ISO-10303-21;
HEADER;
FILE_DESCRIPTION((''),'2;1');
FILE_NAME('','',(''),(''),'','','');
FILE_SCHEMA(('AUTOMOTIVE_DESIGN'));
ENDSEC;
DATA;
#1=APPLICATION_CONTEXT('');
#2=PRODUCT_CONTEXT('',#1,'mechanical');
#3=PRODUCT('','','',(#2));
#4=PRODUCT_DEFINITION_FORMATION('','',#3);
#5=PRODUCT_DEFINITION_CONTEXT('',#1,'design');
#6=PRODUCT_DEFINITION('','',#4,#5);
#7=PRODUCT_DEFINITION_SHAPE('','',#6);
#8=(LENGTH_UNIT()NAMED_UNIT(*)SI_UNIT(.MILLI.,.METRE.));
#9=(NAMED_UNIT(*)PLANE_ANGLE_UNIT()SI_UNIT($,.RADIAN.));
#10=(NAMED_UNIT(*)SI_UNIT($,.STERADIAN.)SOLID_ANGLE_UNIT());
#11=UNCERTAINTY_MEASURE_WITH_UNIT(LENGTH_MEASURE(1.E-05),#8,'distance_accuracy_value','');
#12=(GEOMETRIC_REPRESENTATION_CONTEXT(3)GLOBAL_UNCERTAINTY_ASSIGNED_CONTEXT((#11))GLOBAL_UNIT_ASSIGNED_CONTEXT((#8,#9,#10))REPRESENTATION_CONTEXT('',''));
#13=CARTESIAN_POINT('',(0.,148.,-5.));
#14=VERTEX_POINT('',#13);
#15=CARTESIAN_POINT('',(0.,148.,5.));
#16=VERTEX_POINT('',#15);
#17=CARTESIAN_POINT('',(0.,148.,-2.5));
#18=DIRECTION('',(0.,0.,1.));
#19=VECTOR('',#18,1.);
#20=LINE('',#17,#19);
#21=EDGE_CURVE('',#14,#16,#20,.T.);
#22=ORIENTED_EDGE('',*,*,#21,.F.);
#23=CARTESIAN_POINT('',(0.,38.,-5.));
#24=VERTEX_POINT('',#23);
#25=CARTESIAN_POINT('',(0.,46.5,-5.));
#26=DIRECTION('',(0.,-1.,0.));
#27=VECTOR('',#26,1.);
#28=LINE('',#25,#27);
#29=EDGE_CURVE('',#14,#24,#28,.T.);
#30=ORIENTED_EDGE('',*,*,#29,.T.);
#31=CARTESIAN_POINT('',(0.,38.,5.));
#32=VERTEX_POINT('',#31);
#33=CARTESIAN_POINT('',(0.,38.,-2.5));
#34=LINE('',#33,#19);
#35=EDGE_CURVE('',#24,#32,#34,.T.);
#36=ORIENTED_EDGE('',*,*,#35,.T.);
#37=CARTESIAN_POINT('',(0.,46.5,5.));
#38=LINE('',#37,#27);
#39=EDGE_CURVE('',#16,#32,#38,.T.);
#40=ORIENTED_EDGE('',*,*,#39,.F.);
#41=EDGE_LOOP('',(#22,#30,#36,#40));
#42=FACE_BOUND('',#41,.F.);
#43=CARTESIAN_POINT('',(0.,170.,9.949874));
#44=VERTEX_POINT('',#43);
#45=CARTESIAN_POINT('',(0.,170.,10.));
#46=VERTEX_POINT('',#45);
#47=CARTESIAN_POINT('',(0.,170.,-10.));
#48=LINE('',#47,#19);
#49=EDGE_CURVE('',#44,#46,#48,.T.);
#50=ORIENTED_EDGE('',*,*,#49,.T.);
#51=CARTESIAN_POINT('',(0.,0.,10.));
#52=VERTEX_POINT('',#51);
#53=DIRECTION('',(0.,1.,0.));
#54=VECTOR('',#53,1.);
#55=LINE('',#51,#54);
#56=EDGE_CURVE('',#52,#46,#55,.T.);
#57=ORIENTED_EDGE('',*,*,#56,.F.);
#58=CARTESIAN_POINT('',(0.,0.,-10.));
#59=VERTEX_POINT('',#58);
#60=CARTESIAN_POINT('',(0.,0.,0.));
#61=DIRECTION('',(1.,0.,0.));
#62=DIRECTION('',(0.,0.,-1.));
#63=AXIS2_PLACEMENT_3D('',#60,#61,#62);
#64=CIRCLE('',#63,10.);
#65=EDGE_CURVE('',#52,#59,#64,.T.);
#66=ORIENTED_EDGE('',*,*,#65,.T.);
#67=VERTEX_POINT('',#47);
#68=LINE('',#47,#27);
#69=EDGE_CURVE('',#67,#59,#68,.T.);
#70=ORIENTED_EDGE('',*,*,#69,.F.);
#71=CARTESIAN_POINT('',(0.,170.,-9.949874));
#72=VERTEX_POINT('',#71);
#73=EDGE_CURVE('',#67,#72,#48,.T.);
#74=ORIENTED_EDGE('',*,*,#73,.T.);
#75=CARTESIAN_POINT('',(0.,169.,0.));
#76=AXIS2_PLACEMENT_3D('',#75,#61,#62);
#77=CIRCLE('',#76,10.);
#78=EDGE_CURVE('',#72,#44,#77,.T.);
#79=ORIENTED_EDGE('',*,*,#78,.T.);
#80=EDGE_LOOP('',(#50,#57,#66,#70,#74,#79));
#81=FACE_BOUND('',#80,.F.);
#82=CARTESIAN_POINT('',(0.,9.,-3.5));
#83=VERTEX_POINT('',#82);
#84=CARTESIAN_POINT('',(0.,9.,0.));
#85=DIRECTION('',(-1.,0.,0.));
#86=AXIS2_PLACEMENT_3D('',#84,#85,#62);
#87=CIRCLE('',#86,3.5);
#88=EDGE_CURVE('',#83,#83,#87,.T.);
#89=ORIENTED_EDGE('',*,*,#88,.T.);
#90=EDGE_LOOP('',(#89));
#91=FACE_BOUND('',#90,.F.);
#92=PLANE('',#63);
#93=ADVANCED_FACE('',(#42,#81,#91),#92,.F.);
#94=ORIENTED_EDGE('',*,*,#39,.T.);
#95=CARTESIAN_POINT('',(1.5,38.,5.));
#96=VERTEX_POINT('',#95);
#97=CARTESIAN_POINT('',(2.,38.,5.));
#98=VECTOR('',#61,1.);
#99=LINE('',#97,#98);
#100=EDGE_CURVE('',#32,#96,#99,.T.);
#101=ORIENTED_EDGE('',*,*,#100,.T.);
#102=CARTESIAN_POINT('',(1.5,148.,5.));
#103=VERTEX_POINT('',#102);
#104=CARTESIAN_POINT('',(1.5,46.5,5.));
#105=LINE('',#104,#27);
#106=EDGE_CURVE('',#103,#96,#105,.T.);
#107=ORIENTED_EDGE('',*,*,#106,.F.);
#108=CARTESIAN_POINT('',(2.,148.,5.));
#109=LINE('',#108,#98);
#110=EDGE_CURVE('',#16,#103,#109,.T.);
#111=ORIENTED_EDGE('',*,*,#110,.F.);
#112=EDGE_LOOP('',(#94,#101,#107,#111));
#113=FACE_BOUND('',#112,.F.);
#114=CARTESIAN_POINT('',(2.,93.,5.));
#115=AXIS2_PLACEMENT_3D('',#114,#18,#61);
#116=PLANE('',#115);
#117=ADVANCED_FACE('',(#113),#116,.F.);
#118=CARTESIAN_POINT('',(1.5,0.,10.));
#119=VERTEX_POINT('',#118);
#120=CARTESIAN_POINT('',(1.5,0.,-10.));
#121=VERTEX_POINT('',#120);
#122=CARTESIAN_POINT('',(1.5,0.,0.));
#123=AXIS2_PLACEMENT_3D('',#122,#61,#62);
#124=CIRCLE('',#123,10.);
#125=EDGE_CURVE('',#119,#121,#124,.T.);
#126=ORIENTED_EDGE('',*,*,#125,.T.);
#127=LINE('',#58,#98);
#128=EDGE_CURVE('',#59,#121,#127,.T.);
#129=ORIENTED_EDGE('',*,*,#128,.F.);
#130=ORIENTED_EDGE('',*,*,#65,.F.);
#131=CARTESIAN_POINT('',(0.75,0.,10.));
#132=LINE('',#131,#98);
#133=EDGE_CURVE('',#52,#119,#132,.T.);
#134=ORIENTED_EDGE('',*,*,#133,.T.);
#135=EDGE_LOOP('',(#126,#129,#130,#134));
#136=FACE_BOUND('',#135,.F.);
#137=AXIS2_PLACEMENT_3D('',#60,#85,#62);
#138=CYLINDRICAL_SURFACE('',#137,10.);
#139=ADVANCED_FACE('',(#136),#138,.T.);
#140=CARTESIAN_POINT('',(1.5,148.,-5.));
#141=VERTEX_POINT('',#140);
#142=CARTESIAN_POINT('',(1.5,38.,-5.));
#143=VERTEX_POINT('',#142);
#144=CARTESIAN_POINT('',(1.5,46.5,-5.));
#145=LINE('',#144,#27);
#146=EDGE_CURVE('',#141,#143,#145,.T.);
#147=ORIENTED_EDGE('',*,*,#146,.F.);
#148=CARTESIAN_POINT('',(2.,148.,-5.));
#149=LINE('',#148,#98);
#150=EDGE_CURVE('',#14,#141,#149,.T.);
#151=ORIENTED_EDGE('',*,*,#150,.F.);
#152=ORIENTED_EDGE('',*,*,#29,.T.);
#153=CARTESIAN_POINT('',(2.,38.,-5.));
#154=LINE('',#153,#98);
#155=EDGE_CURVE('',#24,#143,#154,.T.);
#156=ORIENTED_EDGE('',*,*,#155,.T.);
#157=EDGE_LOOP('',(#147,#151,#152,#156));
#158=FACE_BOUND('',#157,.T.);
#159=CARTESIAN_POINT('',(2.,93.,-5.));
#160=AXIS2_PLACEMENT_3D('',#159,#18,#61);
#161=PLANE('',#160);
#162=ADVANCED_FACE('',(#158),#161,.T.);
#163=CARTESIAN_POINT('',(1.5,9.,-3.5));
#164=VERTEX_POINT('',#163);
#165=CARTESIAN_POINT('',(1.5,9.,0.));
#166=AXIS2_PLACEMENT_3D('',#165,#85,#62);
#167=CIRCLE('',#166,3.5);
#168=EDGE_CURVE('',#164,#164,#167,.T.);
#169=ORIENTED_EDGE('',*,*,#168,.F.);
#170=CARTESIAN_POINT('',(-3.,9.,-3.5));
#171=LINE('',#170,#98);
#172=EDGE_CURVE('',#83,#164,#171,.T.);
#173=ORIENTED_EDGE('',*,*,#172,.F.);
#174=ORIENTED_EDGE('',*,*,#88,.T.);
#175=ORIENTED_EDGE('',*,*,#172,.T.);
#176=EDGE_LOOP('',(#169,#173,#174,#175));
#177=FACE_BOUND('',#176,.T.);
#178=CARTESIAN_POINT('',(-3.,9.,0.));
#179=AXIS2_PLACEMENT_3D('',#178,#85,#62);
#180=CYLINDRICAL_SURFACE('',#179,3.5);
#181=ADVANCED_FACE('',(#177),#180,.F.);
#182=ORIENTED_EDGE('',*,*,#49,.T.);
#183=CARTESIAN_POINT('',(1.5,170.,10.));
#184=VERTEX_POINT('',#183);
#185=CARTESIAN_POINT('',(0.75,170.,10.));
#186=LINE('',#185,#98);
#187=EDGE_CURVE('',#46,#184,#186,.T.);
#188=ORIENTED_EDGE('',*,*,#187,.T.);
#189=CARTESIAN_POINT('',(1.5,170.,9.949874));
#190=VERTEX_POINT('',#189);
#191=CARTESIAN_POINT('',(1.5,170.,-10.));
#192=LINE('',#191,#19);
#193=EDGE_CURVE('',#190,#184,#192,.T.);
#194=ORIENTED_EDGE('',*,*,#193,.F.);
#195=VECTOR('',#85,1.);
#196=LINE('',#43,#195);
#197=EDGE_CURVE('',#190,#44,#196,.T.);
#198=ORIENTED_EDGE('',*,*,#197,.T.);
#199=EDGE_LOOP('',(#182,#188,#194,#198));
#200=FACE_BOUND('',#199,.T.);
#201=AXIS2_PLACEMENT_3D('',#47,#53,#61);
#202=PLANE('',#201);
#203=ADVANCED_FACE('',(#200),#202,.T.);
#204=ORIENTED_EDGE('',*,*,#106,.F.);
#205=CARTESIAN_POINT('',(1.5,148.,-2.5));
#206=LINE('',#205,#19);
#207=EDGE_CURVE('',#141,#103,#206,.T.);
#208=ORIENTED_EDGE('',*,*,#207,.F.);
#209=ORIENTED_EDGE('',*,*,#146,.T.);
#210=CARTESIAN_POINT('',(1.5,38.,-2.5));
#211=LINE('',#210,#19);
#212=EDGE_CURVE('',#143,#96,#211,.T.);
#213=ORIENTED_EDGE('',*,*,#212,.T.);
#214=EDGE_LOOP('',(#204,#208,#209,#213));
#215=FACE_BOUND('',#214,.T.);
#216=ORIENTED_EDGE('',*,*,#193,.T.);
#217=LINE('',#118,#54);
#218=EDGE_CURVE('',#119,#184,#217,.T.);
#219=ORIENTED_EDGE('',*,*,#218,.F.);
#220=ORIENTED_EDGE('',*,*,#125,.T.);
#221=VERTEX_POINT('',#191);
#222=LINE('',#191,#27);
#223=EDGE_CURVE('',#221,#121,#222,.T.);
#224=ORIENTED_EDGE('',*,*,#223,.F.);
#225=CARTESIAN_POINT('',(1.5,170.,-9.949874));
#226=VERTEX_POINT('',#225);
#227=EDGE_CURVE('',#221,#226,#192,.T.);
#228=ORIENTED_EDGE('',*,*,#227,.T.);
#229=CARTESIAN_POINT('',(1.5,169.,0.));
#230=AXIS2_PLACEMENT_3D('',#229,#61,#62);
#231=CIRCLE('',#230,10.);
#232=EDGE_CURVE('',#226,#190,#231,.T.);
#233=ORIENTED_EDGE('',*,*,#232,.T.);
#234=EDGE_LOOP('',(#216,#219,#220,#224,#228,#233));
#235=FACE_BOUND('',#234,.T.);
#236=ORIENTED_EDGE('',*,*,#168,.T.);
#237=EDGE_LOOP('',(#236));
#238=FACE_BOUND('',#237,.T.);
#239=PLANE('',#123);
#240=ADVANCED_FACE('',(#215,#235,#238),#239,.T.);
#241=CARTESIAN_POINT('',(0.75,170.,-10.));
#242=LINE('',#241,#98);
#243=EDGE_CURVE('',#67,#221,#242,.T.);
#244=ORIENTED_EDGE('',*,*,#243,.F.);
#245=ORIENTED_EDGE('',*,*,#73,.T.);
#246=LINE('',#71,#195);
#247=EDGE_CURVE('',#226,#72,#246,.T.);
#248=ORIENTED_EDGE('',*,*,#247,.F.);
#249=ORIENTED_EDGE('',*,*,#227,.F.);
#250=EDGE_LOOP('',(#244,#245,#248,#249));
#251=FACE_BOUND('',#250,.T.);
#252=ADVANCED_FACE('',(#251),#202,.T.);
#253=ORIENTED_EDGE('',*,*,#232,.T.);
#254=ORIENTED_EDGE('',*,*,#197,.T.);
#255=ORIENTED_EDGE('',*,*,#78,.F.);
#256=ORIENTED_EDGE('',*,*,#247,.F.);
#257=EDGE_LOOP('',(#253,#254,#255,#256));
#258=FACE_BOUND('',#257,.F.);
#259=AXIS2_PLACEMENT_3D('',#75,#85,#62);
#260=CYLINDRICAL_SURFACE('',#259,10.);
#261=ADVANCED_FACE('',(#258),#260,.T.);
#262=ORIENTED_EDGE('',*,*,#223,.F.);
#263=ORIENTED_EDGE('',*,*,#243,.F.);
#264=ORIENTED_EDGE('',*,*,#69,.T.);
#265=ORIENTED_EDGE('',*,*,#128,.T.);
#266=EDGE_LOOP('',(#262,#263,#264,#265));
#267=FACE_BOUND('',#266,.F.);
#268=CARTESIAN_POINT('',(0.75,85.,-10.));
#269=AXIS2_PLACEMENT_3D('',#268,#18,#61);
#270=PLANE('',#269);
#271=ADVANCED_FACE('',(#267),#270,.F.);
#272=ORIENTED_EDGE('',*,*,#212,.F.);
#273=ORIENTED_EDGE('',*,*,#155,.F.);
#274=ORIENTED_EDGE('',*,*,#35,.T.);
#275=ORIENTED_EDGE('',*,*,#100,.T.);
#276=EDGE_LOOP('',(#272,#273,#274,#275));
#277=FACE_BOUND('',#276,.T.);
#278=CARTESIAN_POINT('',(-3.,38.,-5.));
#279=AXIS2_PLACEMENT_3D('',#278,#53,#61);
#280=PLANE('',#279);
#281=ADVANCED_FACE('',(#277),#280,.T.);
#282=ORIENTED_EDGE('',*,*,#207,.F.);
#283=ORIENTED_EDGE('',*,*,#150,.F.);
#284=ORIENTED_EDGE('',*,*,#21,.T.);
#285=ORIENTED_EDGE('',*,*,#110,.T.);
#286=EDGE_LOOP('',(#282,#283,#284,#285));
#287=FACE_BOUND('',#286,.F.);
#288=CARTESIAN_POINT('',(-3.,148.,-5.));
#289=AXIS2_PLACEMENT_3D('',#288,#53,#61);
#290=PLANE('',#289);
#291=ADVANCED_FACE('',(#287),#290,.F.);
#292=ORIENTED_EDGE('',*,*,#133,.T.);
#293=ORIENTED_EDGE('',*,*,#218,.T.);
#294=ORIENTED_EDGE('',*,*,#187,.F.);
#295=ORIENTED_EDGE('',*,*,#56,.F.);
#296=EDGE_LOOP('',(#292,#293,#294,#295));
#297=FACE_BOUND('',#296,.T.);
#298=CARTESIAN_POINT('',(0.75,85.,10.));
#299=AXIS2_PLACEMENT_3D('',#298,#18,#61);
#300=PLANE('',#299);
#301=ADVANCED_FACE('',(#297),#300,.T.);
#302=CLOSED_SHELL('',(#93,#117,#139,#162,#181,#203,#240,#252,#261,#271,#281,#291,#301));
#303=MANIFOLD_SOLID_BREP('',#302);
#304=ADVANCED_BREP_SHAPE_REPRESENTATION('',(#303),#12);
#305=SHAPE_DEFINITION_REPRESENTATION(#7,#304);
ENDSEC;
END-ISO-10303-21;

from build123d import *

# Parameters (mm, degrees)
CYLINDER004_R     = 3.5
CYLINDER004_DEPTH = 10
BOX004_W          = 10
BOX004_H          = 110
BOX004_DEPTH      = 10
CYLINDER003_R     = 10
CYLINDER003_DEPTH = 1.5
BOX002_W          = 1.5
BOX002_H          = 170
BOX002_DEPTH      = 20
CYLINDER002_R     = 10
CYLINDER002_DEPTH = 1.5


with BuildPart() as pwrjack:
    # Cylinder004 → Cylinder004 (new body)
    with BuildSketch(Plane(origin=(-3, 9, 0), x_dir=(0, 0, -1), z_dir=(1, 0, 0))):
        Circle(CYLINDER004_R)
    extrude(amount=CYLINDER004_DEPTH)


with BuildPart() as cube003:
    # Box004 → Box004 (new body)
    with BuildSketch(Plane(origin=(-3, 38, -5), x_dir=(1, 0, 0), z_dir=(0, 0, 1))):
        with Locations((5, 55)):
            Rectangle(BOX004_W, BOX004_H)
    extrude(amount=BOX004_DEPTH)


with BuildPart() as cylinder003:
    # Cylinder003 → Cylinder003 (new body)
    with BuildSketch(Plane(origin=(0, 169, 0), x_dir=(0, 0, -1), z_dir=(1, 0, 0))):
        Circle(CYLINDER003_R)
    extrude(amount=CYLINDER003_DEPTH)


with BuildPart() as cube002:
    # Box002 → Box002 (new body)
    with BuildSketch(Plane.XY.offset(-10)):
        with Locations((0.75, 85)):
            Rectangle(BOX002_W, BOX002_H)
    extrude(amount=BOX002_DEPTH)


with BuildPart() as cut003:
    # Cylinder002 → Cylinder002 (new body)
    with BuildSketch(Plane(origin=(0, 0, 0), x_dir=(0, 0, -1), z_dir=(1, 0, 0))):
        Circle(CYLINDER002_R)
    extrude(amount=CYLINDER002_DEPTH)

    # Fusion001: union Cylinder003, Cube002
    add(cylinder003.part)
    add(cube002.part)

    # Cut001: cut Cube003
    add(cube003.part, mode=Mode.SUBTRACT)

    # Cut003: cut pwrjack
    add(pwrjack.part, mode=Mode.SUBTRACT)


solid = cut003.part
